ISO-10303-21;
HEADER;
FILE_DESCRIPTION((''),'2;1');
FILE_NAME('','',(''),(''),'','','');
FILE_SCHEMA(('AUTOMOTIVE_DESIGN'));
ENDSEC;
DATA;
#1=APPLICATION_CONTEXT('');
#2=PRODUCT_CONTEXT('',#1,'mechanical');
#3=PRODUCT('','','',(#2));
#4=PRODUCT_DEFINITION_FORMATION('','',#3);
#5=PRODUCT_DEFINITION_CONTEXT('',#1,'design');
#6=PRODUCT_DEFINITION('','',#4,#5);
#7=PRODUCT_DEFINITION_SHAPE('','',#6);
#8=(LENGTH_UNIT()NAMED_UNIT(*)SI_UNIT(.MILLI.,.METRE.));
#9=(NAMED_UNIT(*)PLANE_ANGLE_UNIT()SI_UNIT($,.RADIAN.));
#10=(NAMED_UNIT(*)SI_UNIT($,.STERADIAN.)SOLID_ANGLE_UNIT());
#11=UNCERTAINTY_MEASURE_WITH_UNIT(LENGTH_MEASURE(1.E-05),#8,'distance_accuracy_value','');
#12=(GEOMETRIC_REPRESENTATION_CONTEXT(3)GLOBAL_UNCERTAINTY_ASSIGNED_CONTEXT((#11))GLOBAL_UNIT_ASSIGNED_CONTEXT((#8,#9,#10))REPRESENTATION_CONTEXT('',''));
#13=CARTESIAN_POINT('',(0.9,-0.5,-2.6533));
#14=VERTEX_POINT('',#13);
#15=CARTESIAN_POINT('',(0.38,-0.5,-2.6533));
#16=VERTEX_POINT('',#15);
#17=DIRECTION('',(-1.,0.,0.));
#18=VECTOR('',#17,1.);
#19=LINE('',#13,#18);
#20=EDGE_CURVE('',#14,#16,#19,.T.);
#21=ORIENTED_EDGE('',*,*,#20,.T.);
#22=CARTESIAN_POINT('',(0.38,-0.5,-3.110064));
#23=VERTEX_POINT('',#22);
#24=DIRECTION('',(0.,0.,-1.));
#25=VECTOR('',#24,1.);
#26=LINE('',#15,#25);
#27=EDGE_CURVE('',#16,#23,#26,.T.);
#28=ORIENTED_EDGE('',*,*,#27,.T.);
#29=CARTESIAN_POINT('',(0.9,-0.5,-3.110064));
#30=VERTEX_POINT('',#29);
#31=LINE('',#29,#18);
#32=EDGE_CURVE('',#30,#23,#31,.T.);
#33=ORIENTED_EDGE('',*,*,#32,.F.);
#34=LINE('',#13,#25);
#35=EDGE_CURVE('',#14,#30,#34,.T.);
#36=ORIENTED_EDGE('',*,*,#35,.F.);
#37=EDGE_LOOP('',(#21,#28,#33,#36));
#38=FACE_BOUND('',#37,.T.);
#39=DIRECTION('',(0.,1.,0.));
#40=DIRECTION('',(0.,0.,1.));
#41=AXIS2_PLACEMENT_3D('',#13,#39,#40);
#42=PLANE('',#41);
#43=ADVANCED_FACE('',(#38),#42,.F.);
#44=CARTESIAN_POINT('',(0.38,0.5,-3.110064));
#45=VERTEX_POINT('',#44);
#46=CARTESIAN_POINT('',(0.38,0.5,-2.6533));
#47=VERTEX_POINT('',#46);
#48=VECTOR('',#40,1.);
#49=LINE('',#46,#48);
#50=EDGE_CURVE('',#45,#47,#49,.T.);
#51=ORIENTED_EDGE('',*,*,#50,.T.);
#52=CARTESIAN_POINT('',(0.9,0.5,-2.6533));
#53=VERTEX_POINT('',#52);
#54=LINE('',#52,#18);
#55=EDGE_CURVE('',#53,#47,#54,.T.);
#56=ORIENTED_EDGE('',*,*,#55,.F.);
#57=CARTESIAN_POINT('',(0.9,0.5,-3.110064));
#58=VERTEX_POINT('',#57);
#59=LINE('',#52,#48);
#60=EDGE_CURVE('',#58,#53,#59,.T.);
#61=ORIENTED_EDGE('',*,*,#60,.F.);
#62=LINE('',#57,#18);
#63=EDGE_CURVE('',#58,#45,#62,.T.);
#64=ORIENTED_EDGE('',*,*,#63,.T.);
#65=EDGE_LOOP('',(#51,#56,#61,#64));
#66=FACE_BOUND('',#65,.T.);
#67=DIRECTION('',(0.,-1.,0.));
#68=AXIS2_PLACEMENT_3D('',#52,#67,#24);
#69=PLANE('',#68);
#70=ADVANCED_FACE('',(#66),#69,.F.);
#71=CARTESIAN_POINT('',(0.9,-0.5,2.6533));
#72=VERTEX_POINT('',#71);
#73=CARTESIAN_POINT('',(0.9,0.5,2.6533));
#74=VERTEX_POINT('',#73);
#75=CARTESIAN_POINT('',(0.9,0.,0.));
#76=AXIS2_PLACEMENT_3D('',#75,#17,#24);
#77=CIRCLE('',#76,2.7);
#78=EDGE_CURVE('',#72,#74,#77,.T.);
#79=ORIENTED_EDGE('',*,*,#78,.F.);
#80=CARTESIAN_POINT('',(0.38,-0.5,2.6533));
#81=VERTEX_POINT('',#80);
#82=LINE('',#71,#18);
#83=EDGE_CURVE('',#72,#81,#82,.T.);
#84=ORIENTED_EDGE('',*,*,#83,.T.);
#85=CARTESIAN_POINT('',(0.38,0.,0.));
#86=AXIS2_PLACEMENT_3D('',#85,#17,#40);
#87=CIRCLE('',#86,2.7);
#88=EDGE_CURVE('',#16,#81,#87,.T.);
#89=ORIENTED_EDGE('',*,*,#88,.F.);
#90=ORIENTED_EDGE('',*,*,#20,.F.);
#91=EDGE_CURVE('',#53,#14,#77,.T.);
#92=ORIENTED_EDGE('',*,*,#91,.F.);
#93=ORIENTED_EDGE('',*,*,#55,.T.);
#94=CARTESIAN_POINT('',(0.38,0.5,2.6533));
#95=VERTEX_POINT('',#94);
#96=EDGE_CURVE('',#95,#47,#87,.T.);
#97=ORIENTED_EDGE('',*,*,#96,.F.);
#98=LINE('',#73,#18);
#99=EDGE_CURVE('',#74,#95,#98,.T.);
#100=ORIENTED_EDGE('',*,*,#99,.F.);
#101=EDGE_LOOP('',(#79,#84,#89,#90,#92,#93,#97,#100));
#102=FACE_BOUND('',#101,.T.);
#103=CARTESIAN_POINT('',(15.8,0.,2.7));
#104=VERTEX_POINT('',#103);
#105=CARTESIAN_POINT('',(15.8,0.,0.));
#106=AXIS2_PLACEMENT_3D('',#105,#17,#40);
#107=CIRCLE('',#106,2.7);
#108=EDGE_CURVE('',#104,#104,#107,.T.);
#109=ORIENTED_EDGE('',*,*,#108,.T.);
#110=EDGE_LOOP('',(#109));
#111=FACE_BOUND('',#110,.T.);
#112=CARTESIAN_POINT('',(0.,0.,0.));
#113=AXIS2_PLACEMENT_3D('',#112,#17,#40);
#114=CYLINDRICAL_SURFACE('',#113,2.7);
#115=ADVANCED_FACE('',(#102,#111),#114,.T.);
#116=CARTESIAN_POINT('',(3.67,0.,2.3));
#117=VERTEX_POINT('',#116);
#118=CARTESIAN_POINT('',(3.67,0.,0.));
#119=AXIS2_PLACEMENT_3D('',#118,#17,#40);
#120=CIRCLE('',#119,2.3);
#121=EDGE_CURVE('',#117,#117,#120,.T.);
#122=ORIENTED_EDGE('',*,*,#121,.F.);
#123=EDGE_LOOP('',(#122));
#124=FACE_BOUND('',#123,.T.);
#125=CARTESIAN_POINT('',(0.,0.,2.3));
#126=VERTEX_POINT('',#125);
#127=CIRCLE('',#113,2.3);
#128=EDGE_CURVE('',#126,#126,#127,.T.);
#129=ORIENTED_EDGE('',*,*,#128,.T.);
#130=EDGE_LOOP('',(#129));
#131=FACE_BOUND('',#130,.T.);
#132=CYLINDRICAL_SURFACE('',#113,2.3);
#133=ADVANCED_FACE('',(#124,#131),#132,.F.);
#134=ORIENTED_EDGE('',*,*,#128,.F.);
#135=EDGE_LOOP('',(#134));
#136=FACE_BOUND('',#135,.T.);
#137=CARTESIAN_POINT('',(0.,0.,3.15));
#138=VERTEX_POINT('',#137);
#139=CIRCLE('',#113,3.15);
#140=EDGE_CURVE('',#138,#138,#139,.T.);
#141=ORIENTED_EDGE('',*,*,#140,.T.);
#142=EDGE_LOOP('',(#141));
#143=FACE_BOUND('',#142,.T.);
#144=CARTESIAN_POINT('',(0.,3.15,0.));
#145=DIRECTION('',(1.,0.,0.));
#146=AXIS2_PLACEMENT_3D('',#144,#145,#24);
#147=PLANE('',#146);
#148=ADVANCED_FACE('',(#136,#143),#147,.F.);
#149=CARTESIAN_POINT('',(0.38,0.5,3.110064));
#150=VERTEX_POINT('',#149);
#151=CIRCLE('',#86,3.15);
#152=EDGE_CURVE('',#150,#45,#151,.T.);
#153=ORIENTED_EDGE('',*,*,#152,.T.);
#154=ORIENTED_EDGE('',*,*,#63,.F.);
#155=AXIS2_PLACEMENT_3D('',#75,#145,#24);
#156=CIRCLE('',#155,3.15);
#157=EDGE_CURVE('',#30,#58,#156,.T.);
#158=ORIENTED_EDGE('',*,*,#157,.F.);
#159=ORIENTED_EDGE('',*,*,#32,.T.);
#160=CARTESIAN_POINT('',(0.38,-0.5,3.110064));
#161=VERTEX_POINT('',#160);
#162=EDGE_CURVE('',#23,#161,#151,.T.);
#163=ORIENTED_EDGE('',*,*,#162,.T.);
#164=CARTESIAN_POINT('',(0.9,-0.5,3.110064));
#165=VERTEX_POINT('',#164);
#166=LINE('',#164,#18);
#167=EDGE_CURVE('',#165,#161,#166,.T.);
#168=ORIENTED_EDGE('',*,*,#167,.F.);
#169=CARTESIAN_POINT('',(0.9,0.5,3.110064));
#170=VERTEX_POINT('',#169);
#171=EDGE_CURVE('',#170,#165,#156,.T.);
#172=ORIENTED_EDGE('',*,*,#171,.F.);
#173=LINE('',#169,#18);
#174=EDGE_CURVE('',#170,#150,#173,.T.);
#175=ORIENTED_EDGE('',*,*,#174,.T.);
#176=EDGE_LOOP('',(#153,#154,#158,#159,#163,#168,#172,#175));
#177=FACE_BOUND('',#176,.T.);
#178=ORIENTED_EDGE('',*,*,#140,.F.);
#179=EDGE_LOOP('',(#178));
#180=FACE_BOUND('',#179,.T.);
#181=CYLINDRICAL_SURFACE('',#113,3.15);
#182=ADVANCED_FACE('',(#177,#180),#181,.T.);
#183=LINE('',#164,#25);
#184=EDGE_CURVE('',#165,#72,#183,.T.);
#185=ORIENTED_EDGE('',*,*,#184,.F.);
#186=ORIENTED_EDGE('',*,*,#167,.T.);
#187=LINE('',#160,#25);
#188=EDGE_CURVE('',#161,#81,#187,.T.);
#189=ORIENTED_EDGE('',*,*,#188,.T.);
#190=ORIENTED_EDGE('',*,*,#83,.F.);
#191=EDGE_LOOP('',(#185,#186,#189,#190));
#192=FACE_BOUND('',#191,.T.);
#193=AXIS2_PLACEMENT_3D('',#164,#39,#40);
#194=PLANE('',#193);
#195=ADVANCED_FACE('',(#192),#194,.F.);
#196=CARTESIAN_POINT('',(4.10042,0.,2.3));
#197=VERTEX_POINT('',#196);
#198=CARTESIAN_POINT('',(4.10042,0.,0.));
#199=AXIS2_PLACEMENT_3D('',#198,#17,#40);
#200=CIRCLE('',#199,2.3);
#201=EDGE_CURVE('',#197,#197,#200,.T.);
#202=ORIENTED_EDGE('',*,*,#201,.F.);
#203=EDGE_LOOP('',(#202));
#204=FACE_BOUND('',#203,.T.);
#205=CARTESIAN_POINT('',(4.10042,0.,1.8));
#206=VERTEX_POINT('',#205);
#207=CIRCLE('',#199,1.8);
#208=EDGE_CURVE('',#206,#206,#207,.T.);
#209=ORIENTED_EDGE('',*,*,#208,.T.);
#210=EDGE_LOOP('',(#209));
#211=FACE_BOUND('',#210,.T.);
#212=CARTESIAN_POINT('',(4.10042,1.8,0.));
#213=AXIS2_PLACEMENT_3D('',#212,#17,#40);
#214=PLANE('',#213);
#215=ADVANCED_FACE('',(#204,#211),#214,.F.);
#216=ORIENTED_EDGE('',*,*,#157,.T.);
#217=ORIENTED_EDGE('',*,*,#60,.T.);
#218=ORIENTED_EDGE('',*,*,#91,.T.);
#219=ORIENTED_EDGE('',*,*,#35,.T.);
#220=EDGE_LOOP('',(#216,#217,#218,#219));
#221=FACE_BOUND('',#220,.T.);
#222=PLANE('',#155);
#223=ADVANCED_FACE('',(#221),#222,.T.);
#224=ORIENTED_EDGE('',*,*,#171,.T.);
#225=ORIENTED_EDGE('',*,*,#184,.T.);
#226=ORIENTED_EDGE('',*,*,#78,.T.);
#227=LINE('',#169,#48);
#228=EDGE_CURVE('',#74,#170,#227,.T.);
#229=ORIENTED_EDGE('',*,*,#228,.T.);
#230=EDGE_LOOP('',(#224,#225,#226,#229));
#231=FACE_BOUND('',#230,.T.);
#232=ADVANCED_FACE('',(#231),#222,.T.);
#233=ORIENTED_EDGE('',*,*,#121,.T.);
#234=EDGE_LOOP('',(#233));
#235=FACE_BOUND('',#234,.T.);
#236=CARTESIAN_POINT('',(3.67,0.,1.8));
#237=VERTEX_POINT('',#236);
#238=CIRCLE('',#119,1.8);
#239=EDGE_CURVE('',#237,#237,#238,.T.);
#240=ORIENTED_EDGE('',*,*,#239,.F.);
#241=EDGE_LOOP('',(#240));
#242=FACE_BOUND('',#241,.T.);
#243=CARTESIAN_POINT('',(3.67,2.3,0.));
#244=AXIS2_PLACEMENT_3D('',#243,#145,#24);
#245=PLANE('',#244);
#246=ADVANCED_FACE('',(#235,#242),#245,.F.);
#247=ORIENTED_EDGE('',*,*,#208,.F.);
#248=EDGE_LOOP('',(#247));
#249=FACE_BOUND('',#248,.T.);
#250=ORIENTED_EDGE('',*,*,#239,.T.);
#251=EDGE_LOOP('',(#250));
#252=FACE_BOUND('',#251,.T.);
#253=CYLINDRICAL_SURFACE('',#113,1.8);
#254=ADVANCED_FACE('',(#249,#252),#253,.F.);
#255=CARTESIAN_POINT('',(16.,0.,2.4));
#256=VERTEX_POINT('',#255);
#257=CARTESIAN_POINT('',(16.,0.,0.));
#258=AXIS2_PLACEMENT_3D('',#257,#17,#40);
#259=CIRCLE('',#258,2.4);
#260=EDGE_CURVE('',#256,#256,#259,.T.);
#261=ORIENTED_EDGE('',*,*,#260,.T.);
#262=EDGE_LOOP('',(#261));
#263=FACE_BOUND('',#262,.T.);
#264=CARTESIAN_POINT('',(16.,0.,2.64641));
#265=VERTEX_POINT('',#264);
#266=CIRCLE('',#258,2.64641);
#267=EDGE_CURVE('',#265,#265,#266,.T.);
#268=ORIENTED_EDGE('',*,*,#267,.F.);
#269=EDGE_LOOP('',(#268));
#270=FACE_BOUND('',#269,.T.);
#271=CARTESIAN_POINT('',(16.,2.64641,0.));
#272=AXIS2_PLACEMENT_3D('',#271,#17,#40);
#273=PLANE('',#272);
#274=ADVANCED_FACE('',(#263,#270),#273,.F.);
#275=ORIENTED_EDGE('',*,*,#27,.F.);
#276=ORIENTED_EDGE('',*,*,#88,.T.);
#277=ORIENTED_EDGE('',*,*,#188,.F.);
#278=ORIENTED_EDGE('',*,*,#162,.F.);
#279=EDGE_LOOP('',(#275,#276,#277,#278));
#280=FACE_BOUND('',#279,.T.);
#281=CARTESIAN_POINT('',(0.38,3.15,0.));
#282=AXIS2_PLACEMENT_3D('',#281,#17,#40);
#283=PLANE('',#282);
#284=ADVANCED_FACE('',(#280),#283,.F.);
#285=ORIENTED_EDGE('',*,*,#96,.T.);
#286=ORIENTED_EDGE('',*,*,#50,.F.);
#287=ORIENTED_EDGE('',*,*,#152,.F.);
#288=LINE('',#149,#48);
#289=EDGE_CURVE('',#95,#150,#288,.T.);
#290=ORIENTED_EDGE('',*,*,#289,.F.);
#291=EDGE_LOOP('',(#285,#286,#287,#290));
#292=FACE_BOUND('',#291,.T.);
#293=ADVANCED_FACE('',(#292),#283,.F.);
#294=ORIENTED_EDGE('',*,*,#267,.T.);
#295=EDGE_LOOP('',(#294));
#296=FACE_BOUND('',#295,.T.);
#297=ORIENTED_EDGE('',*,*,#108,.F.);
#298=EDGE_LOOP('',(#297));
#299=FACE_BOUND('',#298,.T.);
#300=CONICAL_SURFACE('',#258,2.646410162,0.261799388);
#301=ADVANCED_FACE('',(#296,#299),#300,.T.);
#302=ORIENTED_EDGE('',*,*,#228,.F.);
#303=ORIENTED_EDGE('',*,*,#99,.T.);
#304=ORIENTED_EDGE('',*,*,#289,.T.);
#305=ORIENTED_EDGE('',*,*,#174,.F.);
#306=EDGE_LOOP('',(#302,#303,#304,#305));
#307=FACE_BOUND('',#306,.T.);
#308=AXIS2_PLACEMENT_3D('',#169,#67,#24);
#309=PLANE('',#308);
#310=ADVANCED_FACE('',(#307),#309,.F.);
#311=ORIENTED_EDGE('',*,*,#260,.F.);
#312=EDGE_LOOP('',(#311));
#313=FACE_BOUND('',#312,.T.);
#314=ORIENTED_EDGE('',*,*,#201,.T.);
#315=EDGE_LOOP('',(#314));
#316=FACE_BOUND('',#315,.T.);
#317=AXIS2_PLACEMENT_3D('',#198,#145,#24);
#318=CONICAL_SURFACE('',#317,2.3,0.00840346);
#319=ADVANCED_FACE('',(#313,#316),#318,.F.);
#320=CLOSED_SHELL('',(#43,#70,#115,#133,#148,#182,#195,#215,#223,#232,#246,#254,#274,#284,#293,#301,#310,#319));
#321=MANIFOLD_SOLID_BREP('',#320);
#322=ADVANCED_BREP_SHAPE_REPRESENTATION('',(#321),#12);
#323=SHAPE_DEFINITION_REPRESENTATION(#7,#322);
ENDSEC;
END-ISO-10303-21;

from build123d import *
from build123d.topology import SkipClean

# Parameters (mm, degrees)
RESSALTO_EXTRUS_O1_START = 0.52
RESSALTO_EXTRUS_O1_DEPTH = 0.52


with BuildPart() as part:
    # Esboço1 → Revolução1 (revolve)
    with BuildSketch(Plane.XY, mode=Mode.PRIVATE) as revolu_o1_sk:
        Polygon((0.38, 2.7), (15.8, 2.7), (16, 2.646410162), (16, 2.4), (4.100420175, 2.3), (4.100420175, 1.8), (3.67, 1.8), (3.67, 2.3), (0, 2.3), (0, 3.15), (0.38, 3.15), align=None)
    revolve(revolu_o1_sk.sketch.rotate(Axis((0, 0, 0), (1, 0, 0)), 90), axis=Axis((0, 0, 0), (1, 0, 0)))

    # Esboço3 → Ressalto-extrusão1 (add)
    with SkipClean():  # the faces are left unmerged after this step: merging them gives an invalid solid
        with BuildSketch(Plane(origin=(0.38, 0, 0), x_dir=(0, 0, -1), z_dir=(1, 0, 0)).offset(RESSALTO_EXTRUS_O1_START)):
            with BuildLine():
                Line((-3.110064308, 0.5), (-2.653299832, 0.5))
                ThreePointArc((-2.653299832, 0.5), (-2.7, 0), (-2.653299832, -0.5))
                Line((-2.653299832, -0.5), (-3.110064308, -0.5))
                ThreePointArc((-3.110064308, -0.5), (-3.15, 0), (-3.110064308, 0.5))
            make_face()
            with BuildLine():
                Line((2.653299832, -0.5), (3.110064308, -0.5))
                ThreePointArc((3.110064308, -0.5), (3.15, 0), (3.110064308, 0.5))
                Line((3.110064308, 0.5), (2.653299832, 0.5))
                ThreePointArc((2.653299832, 0.5), (2.7, 0), (2.653299832, -0.5))
            make_face()
        extrude(amount=-RESSALTO_EXTRUS_O1_DEPTH)


solid = part.part
